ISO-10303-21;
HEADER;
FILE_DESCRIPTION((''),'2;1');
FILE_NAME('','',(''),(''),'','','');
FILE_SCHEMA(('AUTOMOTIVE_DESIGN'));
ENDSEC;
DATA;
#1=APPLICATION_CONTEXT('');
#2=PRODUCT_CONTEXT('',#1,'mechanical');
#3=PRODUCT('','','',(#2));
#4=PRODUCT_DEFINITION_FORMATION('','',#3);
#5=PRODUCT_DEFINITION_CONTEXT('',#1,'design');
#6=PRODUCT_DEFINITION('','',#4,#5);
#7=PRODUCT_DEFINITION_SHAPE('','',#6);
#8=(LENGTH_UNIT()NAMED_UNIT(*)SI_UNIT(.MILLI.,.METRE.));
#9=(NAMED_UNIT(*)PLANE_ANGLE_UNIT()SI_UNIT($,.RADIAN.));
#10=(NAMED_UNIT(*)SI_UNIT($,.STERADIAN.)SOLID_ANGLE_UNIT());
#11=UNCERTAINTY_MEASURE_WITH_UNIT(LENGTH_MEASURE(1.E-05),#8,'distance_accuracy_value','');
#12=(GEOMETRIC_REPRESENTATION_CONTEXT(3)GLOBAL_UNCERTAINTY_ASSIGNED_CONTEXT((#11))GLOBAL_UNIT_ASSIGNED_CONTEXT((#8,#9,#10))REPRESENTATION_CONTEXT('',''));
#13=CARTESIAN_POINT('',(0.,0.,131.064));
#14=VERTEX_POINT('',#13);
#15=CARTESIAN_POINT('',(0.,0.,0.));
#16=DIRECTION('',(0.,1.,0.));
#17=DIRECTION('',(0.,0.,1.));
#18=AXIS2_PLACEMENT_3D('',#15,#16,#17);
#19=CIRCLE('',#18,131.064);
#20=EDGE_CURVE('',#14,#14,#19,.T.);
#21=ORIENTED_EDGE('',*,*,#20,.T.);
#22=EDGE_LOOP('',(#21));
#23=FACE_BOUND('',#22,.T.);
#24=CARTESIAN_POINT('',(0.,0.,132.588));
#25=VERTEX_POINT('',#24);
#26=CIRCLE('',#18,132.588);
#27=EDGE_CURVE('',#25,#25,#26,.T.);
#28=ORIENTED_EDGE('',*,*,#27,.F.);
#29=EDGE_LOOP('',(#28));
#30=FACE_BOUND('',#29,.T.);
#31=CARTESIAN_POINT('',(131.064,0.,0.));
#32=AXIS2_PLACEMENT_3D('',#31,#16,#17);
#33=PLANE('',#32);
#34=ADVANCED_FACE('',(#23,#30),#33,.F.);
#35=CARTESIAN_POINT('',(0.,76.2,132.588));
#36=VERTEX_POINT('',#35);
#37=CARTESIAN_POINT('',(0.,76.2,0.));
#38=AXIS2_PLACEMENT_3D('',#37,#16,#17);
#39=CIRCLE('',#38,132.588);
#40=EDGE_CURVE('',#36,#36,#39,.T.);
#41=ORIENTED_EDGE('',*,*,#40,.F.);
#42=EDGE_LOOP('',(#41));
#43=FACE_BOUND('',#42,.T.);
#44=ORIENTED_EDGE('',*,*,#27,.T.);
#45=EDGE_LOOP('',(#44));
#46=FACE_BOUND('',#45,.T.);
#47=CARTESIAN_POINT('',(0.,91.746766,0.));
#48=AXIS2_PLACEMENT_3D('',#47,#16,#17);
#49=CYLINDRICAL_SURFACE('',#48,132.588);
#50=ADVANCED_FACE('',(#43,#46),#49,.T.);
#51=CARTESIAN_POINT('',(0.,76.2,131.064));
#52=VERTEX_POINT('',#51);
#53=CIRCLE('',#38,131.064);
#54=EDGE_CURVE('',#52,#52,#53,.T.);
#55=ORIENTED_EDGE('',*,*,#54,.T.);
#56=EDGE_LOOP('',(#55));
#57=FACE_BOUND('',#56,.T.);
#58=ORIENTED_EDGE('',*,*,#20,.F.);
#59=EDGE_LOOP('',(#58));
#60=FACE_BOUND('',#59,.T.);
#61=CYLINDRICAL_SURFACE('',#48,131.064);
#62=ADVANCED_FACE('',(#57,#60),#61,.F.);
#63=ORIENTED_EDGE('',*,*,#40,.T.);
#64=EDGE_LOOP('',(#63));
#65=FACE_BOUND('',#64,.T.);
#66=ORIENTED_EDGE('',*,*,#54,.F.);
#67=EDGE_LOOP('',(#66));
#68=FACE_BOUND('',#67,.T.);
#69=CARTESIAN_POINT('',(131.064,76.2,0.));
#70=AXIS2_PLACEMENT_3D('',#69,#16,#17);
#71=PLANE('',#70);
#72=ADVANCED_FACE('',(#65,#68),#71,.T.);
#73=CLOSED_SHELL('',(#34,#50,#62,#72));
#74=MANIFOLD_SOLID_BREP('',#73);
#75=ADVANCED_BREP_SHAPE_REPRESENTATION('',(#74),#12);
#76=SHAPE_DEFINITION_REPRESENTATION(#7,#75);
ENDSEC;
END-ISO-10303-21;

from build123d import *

# Parameters (mm, degrees)
SKETCH1_W = 1.524
SKETCH1_H = 76.2


with BuildPart() as part:
    # Sketch1 → Revolve1 (revolve)
    with BuildSketch(Plane.XY, mode=Mode.PRIVATE) as revolve1_sk:
        with Locations((131.826, 38.1)):
            Rectangle(SKETCH1_W, SKETCH1_H)
    revolve(revolve1_sk.sketch.rotate(Axis((0, 91.746766452, 0), (0, -1, 0)), 90), axis=Axis((0, 91.746766452, 0), (0, -1, 0)))


solid = part.part
